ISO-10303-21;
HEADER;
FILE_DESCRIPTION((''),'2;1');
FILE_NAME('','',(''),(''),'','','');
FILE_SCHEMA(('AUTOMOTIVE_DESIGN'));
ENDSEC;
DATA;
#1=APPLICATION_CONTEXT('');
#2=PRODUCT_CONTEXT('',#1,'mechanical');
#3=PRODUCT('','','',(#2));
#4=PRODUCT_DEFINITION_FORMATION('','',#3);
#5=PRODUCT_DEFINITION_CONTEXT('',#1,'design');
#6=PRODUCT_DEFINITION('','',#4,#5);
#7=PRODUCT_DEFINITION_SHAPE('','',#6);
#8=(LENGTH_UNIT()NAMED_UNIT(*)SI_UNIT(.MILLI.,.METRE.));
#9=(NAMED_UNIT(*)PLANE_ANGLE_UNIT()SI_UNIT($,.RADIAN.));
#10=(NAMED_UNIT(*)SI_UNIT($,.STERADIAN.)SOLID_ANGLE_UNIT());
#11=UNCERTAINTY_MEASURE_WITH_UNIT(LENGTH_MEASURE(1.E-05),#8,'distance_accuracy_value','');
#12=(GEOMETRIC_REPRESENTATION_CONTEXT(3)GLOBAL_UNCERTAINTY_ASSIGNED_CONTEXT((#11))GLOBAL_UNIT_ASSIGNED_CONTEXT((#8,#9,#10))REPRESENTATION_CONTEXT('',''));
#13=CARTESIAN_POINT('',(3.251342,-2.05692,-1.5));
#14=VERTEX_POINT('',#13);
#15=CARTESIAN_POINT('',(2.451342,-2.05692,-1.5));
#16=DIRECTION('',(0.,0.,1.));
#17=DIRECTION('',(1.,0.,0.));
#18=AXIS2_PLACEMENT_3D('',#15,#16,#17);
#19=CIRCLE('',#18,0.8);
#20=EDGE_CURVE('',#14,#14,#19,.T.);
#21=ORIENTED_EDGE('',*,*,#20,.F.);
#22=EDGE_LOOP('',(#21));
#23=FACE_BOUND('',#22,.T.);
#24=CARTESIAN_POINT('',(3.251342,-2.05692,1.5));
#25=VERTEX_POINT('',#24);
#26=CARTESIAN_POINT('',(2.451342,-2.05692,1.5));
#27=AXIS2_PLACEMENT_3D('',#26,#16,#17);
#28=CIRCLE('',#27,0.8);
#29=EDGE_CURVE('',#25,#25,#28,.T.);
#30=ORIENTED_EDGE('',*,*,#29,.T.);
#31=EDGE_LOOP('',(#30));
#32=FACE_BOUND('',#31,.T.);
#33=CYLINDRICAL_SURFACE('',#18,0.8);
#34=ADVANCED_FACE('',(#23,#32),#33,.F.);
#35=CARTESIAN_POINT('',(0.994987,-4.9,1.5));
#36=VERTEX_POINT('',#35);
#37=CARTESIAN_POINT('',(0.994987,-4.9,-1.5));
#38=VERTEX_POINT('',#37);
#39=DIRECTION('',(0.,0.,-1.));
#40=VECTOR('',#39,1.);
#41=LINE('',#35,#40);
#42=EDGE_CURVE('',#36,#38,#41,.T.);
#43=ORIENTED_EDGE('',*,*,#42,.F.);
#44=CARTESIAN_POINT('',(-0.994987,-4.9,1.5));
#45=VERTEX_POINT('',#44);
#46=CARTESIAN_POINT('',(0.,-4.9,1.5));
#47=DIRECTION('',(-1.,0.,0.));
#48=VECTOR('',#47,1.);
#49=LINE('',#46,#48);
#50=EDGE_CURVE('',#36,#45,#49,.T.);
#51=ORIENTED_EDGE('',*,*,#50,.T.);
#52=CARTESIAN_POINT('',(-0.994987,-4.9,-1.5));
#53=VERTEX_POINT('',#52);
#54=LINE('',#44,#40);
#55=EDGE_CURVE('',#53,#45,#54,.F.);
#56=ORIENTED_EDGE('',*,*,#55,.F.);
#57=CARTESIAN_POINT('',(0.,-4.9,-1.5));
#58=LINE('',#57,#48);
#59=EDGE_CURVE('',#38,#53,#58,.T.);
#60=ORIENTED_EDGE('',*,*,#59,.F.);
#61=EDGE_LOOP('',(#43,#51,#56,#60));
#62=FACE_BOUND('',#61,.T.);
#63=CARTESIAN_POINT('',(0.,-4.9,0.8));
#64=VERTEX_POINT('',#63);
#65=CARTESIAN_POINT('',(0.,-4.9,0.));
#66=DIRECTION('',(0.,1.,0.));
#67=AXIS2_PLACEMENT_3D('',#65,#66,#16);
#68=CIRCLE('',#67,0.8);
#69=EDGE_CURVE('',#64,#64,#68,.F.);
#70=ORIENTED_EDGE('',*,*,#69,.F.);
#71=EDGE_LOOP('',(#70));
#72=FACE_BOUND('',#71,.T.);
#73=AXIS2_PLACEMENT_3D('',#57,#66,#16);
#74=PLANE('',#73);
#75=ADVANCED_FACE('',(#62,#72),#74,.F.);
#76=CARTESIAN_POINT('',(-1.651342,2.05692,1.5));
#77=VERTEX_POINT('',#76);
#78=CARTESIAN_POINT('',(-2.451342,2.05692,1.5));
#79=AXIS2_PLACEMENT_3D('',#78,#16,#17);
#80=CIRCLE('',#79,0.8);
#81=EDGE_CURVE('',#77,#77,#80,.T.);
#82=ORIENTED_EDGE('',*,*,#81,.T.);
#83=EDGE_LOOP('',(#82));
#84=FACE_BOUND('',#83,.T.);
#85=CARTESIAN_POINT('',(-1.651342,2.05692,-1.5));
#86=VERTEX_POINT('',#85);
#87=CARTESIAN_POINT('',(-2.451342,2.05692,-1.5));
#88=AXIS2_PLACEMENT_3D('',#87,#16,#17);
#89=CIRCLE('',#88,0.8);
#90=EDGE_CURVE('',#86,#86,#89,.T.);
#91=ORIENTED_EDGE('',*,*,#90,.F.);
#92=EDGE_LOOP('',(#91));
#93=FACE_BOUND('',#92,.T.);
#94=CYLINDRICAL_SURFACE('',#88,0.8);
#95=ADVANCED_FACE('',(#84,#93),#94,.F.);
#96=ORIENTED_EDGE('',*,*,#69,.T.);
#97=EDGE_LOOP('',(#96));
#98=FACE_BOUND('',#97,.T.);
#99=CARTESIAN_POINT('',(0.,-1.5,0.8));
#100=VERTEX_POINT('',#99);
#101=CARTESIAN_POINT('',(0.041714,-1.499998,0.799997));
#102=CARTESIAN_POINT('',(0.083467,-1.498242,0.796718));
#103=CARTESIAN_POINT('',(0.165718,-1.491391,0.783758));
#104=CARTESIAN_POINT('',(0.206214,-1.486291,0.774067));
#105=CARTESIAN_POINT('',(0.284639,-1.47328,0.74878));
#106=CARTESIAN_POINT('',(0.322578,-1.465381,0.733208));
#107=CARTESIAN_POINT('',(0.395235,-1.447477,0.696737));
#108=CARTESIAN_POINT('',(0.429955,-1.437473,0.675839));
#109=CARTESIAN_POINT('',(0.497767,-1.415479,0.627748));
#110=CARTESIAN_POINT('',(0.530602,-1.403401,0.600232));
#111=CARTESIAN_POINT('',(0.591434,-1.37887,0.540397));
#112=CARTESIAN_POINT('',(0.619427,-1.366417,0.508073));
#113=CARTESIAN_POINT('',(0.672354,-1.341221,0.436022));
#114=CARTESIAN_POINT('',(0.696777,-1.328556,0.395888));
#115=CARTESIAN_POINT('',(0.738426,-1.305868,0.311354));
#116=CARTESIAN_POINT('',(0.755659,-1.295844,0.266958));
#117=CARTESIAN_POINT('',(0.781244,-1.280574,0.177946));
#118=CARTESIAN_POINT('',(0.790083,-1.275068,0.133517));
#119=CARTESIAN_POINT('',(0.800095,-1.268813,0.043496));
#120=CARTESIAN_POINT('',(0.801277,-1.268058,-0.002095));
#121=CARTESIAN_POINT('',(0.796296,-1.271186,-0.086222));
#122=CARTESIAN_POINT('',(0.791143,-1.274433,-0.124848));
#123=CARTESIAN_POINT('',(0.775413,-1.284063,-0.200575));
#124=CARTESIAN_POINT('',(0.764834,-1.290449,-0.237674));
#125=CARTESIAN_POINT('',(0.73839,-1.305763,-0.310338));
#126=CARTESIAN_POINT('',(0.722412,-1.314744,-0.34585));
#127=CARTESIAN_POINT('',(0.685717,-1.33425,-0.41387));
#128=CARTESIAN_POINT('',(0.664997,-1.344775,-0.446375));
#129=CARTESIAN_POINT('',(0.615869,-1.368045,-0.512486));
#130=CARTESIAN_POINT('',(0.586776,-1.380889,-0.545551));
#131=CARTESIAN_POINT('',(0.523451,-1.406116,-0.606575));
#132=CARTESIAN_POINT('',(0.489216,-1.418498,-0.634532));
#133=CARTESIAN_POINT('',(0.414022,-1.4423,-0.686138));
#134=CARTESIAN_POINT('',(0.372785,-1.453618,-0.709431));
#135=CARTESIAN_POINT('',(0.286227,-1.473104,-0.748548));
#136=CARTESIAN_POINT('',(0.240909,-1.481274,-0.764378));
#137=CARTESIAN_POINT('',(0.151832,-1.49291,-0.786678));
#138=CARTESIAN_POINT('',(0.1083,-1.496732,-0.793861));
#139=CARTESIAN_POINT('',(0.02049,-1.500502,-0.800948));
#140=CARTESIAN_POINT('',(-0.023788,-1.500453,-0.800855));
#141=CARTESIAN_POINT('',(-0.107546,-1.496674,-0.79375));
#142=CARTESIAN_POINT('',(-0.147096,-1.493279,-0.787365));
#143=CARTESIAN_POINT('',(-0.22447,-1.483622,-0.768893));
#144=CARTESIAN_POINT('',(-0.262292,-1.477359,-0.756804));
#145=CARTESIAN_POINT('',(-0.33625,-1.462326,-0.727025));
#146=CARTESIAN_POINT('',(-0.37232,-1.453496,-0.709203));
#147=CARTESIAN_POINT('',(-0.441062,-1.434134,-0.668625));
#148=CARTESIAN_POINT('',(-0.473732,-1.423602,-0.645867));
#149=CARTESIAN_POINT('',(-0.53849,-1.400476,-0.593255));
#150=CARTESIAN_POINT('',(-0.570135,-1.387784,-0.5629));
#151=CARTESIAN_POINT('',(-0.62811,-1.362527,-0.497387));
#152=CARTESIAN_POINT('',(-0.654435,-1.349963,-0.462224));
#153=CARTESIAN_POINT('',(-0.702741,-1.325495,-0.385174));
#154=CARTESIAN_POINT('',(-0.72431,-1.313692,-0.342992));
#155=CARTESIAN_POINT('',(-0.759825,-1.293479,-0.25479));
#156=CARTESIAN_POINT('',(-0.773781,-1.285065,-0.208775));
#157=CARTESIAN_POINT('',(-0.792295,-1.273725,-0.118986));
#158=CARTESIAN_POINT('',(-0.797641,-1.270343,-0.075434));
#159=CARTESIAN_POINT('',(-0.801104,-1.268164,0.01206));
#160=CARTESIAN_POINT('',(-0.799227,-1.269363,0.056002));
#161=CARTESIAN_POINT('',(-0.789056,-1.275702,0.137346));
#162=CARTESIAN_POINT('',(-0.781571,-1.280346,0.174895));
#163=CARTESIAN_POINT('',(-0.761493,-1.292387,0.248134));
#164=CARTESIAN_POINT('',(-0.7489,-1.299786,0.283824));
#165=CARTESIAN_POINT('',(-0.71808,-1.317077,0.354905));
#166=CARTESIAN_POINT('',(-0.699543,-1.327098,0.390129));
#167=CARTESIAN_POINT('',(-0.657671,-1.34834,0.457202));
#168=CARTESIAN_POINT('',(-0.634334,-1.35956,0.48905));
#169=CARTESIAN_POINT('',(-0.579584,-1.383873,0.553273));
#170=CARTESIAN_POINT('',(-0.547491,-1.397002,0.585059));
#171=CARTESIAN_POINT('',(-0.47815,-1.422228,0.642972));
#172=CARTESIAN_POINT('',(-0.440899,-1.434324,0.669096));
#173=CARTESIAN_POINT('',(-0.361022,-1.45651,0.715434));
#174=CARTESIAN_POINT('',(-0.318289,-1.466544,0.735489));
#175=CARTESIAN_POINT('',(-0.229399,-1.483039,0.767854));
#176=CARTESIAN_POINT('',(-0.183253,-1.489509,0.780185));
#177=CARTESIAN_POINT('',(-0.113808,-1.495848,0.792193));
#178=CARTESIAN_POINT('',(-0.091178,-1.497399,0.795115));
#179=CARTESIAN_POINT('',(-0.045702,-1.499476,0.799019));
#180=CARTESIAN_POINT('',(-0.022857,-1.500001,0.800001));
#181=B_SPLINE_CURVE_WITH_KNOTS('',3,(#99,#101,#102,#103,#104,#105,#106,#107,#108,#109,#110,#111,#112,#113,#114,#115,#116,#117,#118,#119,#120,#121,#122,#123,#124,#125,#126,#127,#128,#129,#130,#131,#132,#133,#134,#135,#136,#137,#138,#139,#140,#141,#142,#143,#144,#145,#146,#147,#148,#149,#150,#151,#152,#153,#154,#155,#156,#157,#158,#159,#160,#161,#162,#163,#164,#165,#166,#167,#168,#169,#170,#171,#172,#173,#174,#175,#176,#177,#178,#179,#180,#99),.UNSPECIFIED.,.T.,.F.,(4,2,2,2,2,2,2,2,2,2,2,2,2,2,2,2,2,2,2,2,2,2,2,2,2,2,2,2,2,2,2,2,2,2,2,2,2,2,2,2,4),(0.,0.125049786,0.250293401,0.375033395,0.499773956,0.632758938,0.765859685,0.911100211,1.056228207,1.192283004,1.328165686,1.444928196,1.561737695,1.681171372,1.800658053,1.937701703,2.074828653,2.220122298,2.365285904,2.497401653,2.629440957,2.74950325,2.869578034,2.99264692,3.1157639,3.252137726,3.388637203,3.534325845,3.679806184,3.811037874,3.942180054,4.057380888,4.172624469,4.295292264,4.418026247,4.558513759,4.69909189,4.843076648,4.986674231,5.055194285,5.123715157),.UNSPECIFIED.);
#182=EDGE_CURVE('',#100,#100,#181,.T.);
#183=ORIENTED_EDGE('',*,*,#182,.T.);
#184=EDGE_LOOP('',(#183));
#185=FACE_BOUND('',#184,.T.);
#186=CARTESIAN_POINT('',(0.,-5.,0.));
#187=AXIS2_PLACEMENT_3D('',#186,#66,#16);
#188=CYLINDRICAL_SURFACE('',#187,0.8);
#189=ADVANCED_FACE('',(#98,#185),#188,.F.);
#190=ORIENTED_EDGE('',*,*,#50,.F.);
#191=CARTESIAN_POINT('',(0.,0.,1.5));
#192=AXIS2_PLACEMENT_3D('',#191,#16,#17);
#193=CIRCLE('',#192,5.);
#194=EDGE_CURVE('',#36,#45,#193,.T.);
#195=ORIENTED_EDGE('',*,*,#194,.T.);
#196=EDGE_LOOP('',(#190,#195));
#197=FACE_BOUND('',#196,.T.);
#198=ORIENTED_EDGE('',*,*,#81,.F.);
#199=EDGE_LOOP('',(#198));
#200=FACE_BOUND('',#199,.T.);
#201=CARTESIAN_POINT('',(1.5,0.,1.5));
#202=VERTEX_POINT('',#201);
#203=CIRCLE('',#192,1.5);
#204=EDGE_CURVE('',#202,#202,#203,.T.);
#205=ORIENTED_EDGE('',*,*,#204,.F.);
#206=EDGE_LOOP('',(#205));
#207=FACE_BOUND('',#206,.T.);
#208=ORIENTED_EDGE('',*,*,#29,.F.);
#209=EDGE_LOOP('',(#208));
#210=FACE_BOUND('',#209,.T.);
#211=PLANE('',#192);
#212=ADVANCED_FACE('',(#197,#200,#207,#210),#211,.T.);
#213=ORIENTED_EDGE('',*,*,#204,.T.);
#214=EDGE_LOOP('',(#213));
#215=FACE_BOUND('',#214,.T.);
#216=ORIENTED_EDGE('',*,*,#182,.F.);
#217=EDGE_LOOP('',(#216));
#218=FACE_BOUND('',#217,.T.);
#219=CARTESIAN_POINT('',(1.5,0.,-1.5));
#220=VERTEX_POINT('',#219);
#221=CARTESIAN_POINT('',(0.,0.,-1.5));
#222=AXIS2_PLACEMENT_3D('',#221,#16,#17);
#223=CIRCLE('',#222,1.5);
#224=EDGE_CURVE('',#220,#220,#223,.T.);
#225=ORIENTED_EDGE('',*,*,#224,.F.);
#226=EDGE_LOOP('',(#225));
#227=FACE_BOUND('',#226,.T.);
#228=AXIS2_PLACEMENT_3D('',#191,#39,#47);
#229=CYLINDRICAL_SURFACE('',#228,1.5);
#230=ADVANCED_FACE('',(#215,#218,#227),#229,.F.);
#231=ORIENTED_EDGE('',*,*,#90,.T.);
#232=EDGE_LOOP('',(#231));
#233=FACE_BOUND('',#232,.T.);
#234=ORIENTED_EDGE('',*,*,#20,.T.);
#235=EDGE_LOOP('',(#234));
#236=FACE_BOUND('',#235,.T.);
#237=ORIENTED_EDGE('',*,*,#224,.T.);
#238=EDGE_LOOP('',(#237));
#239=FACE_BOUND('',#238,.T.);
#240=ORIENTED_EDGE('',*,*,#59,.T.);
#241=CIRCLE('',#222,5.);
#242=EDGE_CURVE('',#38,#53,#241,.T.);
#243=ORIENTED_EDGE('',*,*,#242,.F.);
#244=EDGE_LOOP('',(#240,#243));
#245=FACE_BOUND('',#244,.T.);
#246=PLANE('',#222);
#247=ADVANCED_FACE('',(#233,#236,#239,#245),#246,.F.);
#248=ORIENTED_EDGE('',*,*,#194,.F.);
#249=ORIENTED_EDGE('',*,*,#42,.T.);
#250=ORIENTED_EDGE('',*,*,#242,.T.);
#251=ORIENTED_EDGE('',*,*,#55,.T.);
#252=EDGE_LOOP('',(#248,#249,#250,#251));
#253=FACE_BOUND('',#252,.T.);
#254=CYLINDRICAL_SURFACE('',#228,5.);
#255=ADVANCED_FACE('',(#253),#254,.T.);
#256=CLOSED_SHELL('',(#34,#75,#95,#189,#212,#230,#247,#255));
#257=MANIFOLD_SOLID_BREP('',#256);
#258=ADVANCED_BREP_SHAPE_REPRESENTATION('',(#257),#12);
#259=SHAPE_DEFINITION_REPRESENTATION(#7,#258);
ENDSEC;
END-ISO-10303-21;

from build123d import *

# Parameters (mm, degrees)
SKETCH1_R           = 5
SKETCH1_R_2         = 1.5
EXTRUDE1_DEPTH      = 1.5
EXTRUDE2_DEPTH      = 8.228416147
EXTRUDE2_DEPTH_BACK = 8.228416147
SKETCH2_R           = 0.8
SKETCH3_R           = 0.8
EXTRUDE3_DEPTH      = 8.228416147
EXTRUDE4_DEPTH      = 8.228416306
EXTRUDE4_DEPTH_BACK = 8.228416306
SKETCH4_W           = 4.205463009
SKETCH4_H           = 0.572765835
SKETCH4_W_2         = 4.092184544


with BuildPart() as part:
    # Sketch1 → Extrude1 (new, symmetric)
    with BuildSketch(Plane.XY):
        Circle(SKETCH1_R)
        Circle(SKETCH1_R_2, mode=Mode.SUBTRACT)
    extrude(amount=EXTRUDE1_DEPTH, both=True)

    # Sketch2 → Extrude2 (cut, two sides: drawn at the far end of the back side and taken through both)
    with BuildSketch(Plane.XY.offset(-EXTRUDE2_DEPTH_BACK)):
        with Locations((-2.451342218, 2.056920351)):
            Circle(SKETCH2_R)
        with Locations((2.451342218, -2.056920351)):
            Circle(SKETCH2_R)
    extrude(amount=EXTRUDE2_DEPTH + EXTRUDE2_DEPTH_BACK, mode=Mode.SUBTRACT)

    # Sketch3 → Extrude3 (cut, through all)
    with BuildSketch(Plane(origin=(0, 0, 0), x_dir=(1, 0, 0), z_dir=(0, 1, 0))):
        with Locations(Location((0, 0, 0), (0, 0, 270))):
            Circle(SKETCH3_R)
    extrude(amount=-EXTRUDE3_DEPTH, mode=Mode.SUBTRACT)

    # Sketch4 → Extrude4 (cut, two sides: drawn at the far end of the back side and taken through both)
    with BuildSketch(Plane.XY.offset(-EXTRUDE4_DEPTH_BACK)):
        with Locations((-2.102731505, -5.186382918)):
            Rectangle(SKETCH4_W, SKETCH4_H)
        with Locations((2.046092272, -5.186382918)):
            Rectangle(SKETCH4_W_2, SKETCH4_H)
    extrude(amount=EXTRUDE4_DEPTH + EXTRUDE4_DEPTH_BACK, mode=Mode.SUBTRACT)


solid = part.part
